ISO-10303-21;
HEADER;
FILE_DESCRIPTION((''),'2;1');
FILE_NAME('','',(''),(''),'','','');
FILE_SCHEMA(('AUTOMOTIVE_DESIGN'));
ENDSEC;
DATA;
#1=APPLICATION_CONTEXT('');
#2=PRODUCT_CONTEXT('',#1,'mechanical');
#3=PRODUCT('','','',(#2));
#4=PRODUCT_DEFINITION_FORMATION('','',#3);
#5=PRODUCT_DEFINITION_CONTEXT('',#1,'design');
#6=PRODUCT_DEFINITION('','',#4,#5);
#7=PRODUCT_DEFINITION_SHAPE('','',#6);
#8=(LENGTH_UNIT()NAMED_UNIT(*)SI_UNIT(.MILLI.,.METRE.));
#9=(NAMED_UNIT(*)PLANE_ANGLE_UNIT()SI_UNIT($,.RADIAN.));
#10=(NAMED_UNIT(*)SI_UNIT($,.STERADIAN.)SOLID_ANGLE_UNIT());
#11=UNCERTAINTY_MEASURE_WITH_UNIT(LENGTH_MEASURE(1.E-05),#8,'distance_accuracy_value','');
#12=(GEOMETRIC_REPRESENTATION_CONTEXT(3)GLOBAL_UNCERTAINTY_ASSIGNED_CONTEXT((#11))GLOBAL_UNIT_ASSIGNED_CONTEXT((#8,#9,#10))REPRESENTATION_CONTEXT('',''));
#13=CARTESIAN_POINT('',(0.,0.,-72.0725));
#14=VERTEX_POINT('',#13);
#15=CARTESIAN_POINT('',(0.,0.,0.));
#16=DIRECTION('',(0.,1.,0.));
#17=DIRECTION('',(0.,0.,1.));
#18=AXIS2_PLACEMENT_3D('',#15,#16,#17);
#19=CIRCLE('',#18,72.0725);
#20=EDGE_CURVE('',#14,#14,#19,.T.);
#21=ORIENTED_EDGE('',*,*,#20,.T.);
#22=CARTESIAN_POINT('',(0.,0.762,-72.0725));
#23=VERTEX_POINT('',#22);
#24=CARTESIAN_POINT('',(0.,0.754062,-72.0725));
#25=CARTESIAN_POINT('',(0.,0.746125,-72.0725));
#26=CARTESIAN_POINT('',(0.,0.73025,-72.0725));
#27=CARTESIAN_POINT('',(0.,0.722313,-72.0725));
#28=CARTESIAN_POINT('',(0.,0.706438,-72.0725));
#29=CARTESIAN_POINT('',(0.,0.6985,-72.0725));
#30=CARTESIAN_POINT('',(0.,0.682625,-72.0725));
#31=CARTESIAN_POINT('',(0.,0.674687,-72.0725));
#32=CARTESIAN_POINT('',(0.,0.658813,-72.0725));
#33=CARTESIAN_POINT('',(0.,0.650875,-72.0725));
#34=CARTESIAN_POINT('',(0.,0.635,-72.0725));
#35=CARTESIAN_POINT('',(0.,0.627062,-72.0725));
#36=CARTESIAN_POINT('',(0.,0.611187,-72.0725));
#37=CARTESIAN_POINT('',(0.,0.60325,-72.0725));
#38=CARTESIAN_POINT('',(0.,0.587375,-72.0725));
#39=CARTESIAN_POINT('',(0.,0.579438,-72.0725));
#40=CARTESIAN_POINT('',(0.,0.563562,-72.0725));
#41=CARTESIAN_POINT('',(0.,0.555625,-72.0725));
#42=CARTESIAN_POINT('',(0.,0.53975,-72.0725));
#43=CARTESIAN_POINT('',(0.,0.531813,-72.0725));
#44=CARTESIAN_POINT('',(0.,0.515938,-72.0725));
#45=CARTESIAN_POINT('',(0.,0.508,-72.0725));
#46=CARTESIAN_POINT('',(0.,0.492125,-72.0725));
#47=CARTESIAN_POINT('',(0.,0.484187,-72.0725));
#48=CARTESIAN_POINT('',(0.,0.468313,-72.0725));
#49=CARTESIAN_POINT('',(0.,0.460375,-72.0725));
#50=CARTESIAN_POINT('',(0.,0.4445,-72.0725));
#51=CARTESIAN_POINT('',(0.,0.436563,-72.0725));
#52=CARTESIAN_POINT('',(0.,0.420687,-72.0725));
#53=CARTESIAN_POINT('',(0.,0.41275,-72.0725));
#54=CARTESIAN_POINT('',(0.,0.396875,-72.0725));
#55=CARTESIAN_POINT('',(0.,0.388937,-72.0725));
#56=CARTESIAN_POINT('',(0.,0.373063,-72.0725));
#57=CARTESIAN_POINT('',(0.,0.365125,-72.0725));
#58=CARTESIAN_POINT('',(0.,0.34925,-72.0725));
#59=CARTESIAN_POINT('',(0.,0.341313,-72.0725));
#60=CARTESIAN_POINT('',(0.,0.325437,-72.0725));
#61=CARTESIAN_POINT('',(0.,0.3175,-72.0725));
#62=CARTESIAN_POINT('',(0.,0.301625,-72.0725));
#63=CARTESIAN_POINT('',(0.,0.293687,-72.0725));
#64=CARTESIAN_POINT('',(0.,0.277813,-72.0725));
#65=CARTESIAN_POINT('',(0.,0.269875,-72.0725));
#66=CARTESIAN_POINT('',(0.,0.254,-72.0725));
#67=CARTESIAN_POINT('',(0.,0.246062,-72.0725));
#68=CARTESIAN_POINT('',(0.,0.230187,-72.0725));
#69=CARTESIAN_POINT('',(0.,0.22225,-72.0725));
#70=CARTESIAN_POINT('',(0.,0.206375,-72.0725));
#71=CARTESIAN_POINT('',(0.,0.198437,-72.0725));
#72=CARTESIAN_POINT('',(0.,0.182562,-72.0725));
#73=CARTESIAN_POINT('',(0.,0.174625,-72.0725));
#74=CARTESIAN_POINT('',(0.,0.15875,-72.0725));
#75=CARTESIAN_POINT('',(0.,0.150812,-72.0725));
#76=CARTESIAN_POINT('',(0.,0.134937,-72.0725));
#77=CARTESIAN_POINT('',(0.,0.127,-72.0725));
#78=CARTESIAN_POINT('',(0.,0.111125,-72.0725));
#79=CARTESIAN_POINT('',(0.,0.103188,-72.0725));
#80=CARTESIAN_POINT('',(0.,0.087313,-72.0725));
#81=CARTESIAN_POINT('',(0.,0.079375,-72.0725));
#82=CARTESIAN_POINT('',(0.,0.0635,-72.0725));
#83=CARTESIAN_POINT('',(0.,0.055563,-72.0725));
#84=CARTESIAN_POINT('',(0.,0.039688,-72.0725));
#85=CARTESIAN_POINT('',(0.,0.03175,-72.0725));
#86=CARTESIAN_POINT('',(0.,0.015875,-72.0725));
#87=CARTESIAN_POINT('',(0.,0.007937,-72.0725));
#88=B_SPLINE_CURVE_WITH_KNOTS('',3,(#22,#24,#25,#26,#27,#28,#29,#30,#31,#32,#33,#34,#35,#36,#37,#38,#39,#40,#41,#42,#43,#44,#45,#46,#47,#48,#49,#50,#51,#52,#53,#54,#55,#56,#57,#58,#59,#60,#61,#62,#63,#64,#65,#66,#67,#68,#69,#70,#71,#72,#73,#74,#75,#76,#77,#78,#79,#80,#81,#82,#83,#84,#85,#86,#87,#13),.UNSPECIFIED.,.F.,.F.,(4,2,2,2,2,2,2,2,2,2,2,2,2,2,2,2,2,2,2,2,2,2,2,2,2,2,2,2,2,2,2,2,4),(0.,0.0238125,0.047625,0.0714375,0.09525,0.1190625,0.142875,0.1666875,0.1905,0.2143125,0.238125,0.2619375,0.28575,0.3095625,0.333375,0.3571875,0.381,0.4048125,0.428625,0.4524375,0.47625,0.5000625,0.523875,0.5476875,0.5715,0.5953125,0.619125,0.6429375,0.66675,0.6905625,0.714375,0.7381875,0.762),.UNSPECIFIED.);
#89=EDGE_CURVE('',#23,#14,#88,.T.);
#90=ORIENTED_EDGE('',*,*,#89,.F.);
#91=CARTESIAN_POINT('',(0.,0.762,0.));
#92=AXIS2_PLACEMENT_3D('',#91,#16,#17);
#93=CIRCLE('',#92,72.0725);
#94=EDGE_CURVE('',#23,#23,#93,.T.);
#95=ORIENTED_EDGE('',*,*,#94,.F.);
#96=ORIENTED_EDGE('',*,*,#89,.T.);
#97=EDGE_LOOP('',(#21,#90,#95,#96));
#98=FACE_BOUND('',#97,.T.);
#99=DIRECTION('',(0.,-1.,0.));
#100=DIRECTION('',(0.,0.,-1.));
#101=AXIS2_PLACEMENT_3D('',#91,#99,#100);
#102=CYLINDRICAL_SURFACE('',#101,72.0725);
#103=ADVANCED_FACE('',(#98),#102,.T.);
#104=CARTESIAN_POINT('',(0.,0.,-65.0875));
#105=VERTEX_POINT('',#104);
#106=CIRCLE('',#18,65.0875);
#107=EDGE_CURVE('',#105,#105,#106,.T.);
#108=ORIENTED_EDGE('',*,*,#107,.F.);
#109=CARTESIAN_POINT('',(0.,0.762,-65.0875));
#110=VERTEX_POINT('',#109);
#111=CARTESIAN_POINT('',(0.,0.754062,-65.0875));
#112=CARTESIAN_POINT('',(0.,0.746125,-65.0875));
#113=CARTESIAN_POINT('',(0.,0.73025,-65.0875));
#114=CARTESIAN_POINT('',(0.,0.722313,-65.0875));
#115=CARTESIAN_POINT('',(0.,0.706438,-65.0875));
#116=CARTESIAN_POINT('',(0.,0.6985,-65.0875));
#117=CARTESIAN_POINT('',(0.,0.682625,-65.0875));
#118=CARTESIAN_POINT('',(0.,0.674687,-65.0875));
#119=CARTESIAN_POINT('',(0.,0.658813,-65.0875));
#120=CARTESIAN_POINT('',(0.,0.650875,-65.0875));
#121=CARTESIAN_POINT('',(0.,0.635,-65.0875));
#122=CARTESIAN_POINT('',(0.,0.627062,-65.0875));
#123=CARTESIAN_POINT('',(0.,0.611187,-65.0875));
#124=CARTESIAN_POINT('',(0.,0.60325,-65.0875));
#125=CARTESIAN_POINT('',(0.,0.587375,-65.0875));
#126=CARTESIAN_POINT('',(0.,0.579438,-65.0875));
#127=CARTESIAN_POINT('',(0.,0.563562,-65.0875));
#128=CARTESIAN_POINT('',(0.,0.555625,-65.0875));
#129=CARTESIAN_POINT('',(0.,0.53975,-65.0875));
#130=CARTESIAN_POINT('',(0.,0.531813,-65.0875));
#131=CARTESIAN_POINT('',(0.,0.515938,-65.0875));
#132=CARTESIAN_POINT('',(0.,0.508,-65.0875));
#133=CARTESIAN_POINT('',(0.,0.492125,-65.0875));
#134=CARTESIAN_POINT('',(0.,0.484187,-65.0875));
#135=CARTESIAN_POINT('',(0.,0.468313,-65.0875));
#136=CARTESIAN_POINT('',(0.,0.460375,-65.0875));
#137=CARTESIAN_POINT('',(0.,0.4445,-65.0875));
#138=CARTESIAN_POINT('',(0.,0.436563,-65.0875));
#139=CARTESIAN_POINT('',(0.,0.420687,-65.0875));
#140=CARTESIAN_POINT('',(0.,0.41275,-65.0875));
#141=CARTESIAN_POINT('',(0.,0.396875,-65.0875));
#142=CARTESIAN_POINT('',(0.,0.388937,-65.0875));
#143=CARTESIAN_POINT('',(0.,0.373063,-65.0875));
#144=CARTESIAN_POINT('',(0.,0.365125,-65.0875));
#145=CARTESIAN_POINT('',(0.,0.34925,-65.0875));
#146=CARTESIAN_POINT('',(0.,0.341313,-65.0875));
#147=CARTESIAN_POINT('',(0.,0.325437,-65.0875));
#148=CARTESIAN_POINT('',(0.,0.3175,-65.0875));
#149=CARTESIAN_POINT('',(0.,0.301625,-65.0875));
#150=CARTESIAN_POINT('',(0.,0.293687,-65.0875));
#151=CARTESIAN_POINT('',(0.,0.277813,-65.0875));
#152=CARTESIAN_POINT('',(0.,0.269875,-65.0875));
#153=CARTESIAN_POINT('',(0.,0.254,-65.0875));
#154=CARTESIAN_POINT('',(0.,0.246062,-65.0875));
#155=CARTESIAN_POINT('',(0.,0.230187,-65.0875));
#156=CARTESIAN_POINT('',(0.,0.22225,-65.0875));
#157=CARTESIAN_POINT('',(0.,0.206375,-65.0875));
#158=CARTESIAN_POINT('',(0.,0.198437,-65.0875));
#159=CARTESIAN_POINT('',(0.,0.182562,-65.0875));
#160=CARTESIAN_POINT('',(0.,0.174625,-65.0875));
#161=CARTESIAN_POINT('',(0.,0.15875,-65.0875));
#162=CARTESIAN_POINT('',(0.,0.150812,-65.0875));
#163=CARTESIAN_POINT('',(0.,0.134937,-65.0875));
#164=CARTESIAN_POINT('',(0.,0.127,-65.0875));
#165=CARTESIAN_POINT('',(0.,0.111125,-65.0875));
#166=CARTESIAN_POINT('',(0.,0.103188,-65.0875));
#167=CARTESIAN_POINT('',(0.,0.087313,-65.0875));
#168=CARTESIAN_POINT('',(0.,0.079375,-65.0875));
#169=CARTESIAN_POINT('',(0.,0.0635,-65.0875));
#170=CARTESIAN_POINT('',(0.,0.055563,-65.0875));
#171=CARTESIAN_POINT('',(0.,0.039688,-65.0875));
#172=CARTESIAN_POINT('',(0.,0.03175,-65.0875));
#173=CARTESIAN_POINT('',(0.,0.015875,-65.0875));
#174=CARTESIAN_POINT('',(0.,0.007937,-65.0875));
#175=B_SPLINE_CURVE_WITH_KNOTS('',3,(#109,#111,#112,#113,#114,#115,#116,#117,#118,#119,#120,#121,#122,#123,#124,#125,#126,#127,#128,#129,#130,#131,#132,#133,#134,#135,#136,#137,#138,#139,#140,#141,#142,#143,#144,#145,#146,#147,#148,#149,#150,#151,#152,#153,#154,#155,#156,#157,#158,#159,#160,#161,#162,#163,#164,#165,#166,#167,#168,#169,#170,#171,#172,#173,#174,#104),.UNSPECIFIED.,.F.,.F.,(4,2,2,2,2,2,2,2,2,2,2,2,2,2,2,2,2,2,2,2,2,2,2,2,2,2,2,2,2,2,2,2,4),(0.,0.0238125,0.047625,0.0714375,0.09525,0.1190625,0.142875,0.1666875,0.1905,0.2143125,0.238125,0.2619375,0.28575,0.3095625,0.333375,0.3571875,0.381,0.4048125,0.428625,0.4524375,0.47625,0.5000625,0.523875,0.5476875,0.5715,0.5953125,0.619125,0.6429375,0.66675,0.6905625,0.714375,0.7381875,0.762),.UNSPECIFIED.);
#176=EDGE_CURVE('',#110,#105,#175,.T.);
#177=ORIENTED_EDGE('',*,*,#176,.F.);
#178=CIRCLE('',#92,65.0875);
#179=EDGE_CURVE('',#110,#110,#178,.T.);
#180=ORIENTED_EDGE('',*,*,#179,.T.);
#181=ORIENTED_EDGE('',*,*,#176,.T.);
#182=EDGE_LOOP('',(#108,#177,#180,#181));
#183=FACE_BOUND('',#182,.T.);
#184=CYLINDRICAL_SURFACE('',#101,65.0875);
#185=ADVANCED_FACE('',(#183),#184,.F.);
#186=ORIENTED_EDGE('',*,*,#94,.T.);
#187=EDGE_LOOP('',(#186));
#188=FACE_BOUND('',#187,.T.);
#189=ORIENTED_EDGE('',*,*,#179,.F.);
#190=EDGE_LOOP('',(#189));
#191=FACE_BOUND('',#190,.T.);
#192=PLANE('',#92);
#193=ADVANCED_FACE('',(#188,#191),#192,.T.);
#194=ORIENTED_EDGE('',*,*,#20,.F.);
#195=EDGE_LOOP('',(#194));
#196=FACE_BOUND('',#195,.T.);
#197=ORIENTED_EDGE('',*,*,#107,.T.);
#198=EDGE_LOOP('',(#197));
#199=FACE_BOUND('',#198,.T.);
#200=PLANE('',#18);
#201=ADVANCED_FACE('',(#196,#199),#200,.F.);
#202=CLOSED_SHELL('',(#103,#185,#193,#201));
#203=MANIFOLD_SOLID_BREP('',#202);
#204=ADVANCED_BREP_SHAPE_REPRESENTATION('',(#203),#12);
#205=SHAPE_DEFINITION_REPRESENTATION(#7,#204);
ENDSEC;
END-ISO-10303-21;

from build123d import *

# Parameters (mm, degrees)
SKETCH1_R           = 72.0725
SKETCH1_R_2         = 65.0875
BOSS_EXTRUDE1_DEPTH = 0.762


with BuildPart() as part:
    # Sketch1 → Boss-Extrude1 (new body)
    with BuildSketch(Plane(origin=(0, 0, 0), x_dir=(1, 0, 0), z_dir=(0, 1, 0))):
        with Locations(Location((0, 0, 0), (0, 0, 90))):
            Circle(SKETCH1_R)
        with Locations(Location((0, 0, 0), (0, 0, 90))):
            Circle(SKETCH1_R_2, mode=Mode.SUBTRACT)
    extrude(amount=BOSS_EXTRUDE1_DEPTH)


solid = part.part
